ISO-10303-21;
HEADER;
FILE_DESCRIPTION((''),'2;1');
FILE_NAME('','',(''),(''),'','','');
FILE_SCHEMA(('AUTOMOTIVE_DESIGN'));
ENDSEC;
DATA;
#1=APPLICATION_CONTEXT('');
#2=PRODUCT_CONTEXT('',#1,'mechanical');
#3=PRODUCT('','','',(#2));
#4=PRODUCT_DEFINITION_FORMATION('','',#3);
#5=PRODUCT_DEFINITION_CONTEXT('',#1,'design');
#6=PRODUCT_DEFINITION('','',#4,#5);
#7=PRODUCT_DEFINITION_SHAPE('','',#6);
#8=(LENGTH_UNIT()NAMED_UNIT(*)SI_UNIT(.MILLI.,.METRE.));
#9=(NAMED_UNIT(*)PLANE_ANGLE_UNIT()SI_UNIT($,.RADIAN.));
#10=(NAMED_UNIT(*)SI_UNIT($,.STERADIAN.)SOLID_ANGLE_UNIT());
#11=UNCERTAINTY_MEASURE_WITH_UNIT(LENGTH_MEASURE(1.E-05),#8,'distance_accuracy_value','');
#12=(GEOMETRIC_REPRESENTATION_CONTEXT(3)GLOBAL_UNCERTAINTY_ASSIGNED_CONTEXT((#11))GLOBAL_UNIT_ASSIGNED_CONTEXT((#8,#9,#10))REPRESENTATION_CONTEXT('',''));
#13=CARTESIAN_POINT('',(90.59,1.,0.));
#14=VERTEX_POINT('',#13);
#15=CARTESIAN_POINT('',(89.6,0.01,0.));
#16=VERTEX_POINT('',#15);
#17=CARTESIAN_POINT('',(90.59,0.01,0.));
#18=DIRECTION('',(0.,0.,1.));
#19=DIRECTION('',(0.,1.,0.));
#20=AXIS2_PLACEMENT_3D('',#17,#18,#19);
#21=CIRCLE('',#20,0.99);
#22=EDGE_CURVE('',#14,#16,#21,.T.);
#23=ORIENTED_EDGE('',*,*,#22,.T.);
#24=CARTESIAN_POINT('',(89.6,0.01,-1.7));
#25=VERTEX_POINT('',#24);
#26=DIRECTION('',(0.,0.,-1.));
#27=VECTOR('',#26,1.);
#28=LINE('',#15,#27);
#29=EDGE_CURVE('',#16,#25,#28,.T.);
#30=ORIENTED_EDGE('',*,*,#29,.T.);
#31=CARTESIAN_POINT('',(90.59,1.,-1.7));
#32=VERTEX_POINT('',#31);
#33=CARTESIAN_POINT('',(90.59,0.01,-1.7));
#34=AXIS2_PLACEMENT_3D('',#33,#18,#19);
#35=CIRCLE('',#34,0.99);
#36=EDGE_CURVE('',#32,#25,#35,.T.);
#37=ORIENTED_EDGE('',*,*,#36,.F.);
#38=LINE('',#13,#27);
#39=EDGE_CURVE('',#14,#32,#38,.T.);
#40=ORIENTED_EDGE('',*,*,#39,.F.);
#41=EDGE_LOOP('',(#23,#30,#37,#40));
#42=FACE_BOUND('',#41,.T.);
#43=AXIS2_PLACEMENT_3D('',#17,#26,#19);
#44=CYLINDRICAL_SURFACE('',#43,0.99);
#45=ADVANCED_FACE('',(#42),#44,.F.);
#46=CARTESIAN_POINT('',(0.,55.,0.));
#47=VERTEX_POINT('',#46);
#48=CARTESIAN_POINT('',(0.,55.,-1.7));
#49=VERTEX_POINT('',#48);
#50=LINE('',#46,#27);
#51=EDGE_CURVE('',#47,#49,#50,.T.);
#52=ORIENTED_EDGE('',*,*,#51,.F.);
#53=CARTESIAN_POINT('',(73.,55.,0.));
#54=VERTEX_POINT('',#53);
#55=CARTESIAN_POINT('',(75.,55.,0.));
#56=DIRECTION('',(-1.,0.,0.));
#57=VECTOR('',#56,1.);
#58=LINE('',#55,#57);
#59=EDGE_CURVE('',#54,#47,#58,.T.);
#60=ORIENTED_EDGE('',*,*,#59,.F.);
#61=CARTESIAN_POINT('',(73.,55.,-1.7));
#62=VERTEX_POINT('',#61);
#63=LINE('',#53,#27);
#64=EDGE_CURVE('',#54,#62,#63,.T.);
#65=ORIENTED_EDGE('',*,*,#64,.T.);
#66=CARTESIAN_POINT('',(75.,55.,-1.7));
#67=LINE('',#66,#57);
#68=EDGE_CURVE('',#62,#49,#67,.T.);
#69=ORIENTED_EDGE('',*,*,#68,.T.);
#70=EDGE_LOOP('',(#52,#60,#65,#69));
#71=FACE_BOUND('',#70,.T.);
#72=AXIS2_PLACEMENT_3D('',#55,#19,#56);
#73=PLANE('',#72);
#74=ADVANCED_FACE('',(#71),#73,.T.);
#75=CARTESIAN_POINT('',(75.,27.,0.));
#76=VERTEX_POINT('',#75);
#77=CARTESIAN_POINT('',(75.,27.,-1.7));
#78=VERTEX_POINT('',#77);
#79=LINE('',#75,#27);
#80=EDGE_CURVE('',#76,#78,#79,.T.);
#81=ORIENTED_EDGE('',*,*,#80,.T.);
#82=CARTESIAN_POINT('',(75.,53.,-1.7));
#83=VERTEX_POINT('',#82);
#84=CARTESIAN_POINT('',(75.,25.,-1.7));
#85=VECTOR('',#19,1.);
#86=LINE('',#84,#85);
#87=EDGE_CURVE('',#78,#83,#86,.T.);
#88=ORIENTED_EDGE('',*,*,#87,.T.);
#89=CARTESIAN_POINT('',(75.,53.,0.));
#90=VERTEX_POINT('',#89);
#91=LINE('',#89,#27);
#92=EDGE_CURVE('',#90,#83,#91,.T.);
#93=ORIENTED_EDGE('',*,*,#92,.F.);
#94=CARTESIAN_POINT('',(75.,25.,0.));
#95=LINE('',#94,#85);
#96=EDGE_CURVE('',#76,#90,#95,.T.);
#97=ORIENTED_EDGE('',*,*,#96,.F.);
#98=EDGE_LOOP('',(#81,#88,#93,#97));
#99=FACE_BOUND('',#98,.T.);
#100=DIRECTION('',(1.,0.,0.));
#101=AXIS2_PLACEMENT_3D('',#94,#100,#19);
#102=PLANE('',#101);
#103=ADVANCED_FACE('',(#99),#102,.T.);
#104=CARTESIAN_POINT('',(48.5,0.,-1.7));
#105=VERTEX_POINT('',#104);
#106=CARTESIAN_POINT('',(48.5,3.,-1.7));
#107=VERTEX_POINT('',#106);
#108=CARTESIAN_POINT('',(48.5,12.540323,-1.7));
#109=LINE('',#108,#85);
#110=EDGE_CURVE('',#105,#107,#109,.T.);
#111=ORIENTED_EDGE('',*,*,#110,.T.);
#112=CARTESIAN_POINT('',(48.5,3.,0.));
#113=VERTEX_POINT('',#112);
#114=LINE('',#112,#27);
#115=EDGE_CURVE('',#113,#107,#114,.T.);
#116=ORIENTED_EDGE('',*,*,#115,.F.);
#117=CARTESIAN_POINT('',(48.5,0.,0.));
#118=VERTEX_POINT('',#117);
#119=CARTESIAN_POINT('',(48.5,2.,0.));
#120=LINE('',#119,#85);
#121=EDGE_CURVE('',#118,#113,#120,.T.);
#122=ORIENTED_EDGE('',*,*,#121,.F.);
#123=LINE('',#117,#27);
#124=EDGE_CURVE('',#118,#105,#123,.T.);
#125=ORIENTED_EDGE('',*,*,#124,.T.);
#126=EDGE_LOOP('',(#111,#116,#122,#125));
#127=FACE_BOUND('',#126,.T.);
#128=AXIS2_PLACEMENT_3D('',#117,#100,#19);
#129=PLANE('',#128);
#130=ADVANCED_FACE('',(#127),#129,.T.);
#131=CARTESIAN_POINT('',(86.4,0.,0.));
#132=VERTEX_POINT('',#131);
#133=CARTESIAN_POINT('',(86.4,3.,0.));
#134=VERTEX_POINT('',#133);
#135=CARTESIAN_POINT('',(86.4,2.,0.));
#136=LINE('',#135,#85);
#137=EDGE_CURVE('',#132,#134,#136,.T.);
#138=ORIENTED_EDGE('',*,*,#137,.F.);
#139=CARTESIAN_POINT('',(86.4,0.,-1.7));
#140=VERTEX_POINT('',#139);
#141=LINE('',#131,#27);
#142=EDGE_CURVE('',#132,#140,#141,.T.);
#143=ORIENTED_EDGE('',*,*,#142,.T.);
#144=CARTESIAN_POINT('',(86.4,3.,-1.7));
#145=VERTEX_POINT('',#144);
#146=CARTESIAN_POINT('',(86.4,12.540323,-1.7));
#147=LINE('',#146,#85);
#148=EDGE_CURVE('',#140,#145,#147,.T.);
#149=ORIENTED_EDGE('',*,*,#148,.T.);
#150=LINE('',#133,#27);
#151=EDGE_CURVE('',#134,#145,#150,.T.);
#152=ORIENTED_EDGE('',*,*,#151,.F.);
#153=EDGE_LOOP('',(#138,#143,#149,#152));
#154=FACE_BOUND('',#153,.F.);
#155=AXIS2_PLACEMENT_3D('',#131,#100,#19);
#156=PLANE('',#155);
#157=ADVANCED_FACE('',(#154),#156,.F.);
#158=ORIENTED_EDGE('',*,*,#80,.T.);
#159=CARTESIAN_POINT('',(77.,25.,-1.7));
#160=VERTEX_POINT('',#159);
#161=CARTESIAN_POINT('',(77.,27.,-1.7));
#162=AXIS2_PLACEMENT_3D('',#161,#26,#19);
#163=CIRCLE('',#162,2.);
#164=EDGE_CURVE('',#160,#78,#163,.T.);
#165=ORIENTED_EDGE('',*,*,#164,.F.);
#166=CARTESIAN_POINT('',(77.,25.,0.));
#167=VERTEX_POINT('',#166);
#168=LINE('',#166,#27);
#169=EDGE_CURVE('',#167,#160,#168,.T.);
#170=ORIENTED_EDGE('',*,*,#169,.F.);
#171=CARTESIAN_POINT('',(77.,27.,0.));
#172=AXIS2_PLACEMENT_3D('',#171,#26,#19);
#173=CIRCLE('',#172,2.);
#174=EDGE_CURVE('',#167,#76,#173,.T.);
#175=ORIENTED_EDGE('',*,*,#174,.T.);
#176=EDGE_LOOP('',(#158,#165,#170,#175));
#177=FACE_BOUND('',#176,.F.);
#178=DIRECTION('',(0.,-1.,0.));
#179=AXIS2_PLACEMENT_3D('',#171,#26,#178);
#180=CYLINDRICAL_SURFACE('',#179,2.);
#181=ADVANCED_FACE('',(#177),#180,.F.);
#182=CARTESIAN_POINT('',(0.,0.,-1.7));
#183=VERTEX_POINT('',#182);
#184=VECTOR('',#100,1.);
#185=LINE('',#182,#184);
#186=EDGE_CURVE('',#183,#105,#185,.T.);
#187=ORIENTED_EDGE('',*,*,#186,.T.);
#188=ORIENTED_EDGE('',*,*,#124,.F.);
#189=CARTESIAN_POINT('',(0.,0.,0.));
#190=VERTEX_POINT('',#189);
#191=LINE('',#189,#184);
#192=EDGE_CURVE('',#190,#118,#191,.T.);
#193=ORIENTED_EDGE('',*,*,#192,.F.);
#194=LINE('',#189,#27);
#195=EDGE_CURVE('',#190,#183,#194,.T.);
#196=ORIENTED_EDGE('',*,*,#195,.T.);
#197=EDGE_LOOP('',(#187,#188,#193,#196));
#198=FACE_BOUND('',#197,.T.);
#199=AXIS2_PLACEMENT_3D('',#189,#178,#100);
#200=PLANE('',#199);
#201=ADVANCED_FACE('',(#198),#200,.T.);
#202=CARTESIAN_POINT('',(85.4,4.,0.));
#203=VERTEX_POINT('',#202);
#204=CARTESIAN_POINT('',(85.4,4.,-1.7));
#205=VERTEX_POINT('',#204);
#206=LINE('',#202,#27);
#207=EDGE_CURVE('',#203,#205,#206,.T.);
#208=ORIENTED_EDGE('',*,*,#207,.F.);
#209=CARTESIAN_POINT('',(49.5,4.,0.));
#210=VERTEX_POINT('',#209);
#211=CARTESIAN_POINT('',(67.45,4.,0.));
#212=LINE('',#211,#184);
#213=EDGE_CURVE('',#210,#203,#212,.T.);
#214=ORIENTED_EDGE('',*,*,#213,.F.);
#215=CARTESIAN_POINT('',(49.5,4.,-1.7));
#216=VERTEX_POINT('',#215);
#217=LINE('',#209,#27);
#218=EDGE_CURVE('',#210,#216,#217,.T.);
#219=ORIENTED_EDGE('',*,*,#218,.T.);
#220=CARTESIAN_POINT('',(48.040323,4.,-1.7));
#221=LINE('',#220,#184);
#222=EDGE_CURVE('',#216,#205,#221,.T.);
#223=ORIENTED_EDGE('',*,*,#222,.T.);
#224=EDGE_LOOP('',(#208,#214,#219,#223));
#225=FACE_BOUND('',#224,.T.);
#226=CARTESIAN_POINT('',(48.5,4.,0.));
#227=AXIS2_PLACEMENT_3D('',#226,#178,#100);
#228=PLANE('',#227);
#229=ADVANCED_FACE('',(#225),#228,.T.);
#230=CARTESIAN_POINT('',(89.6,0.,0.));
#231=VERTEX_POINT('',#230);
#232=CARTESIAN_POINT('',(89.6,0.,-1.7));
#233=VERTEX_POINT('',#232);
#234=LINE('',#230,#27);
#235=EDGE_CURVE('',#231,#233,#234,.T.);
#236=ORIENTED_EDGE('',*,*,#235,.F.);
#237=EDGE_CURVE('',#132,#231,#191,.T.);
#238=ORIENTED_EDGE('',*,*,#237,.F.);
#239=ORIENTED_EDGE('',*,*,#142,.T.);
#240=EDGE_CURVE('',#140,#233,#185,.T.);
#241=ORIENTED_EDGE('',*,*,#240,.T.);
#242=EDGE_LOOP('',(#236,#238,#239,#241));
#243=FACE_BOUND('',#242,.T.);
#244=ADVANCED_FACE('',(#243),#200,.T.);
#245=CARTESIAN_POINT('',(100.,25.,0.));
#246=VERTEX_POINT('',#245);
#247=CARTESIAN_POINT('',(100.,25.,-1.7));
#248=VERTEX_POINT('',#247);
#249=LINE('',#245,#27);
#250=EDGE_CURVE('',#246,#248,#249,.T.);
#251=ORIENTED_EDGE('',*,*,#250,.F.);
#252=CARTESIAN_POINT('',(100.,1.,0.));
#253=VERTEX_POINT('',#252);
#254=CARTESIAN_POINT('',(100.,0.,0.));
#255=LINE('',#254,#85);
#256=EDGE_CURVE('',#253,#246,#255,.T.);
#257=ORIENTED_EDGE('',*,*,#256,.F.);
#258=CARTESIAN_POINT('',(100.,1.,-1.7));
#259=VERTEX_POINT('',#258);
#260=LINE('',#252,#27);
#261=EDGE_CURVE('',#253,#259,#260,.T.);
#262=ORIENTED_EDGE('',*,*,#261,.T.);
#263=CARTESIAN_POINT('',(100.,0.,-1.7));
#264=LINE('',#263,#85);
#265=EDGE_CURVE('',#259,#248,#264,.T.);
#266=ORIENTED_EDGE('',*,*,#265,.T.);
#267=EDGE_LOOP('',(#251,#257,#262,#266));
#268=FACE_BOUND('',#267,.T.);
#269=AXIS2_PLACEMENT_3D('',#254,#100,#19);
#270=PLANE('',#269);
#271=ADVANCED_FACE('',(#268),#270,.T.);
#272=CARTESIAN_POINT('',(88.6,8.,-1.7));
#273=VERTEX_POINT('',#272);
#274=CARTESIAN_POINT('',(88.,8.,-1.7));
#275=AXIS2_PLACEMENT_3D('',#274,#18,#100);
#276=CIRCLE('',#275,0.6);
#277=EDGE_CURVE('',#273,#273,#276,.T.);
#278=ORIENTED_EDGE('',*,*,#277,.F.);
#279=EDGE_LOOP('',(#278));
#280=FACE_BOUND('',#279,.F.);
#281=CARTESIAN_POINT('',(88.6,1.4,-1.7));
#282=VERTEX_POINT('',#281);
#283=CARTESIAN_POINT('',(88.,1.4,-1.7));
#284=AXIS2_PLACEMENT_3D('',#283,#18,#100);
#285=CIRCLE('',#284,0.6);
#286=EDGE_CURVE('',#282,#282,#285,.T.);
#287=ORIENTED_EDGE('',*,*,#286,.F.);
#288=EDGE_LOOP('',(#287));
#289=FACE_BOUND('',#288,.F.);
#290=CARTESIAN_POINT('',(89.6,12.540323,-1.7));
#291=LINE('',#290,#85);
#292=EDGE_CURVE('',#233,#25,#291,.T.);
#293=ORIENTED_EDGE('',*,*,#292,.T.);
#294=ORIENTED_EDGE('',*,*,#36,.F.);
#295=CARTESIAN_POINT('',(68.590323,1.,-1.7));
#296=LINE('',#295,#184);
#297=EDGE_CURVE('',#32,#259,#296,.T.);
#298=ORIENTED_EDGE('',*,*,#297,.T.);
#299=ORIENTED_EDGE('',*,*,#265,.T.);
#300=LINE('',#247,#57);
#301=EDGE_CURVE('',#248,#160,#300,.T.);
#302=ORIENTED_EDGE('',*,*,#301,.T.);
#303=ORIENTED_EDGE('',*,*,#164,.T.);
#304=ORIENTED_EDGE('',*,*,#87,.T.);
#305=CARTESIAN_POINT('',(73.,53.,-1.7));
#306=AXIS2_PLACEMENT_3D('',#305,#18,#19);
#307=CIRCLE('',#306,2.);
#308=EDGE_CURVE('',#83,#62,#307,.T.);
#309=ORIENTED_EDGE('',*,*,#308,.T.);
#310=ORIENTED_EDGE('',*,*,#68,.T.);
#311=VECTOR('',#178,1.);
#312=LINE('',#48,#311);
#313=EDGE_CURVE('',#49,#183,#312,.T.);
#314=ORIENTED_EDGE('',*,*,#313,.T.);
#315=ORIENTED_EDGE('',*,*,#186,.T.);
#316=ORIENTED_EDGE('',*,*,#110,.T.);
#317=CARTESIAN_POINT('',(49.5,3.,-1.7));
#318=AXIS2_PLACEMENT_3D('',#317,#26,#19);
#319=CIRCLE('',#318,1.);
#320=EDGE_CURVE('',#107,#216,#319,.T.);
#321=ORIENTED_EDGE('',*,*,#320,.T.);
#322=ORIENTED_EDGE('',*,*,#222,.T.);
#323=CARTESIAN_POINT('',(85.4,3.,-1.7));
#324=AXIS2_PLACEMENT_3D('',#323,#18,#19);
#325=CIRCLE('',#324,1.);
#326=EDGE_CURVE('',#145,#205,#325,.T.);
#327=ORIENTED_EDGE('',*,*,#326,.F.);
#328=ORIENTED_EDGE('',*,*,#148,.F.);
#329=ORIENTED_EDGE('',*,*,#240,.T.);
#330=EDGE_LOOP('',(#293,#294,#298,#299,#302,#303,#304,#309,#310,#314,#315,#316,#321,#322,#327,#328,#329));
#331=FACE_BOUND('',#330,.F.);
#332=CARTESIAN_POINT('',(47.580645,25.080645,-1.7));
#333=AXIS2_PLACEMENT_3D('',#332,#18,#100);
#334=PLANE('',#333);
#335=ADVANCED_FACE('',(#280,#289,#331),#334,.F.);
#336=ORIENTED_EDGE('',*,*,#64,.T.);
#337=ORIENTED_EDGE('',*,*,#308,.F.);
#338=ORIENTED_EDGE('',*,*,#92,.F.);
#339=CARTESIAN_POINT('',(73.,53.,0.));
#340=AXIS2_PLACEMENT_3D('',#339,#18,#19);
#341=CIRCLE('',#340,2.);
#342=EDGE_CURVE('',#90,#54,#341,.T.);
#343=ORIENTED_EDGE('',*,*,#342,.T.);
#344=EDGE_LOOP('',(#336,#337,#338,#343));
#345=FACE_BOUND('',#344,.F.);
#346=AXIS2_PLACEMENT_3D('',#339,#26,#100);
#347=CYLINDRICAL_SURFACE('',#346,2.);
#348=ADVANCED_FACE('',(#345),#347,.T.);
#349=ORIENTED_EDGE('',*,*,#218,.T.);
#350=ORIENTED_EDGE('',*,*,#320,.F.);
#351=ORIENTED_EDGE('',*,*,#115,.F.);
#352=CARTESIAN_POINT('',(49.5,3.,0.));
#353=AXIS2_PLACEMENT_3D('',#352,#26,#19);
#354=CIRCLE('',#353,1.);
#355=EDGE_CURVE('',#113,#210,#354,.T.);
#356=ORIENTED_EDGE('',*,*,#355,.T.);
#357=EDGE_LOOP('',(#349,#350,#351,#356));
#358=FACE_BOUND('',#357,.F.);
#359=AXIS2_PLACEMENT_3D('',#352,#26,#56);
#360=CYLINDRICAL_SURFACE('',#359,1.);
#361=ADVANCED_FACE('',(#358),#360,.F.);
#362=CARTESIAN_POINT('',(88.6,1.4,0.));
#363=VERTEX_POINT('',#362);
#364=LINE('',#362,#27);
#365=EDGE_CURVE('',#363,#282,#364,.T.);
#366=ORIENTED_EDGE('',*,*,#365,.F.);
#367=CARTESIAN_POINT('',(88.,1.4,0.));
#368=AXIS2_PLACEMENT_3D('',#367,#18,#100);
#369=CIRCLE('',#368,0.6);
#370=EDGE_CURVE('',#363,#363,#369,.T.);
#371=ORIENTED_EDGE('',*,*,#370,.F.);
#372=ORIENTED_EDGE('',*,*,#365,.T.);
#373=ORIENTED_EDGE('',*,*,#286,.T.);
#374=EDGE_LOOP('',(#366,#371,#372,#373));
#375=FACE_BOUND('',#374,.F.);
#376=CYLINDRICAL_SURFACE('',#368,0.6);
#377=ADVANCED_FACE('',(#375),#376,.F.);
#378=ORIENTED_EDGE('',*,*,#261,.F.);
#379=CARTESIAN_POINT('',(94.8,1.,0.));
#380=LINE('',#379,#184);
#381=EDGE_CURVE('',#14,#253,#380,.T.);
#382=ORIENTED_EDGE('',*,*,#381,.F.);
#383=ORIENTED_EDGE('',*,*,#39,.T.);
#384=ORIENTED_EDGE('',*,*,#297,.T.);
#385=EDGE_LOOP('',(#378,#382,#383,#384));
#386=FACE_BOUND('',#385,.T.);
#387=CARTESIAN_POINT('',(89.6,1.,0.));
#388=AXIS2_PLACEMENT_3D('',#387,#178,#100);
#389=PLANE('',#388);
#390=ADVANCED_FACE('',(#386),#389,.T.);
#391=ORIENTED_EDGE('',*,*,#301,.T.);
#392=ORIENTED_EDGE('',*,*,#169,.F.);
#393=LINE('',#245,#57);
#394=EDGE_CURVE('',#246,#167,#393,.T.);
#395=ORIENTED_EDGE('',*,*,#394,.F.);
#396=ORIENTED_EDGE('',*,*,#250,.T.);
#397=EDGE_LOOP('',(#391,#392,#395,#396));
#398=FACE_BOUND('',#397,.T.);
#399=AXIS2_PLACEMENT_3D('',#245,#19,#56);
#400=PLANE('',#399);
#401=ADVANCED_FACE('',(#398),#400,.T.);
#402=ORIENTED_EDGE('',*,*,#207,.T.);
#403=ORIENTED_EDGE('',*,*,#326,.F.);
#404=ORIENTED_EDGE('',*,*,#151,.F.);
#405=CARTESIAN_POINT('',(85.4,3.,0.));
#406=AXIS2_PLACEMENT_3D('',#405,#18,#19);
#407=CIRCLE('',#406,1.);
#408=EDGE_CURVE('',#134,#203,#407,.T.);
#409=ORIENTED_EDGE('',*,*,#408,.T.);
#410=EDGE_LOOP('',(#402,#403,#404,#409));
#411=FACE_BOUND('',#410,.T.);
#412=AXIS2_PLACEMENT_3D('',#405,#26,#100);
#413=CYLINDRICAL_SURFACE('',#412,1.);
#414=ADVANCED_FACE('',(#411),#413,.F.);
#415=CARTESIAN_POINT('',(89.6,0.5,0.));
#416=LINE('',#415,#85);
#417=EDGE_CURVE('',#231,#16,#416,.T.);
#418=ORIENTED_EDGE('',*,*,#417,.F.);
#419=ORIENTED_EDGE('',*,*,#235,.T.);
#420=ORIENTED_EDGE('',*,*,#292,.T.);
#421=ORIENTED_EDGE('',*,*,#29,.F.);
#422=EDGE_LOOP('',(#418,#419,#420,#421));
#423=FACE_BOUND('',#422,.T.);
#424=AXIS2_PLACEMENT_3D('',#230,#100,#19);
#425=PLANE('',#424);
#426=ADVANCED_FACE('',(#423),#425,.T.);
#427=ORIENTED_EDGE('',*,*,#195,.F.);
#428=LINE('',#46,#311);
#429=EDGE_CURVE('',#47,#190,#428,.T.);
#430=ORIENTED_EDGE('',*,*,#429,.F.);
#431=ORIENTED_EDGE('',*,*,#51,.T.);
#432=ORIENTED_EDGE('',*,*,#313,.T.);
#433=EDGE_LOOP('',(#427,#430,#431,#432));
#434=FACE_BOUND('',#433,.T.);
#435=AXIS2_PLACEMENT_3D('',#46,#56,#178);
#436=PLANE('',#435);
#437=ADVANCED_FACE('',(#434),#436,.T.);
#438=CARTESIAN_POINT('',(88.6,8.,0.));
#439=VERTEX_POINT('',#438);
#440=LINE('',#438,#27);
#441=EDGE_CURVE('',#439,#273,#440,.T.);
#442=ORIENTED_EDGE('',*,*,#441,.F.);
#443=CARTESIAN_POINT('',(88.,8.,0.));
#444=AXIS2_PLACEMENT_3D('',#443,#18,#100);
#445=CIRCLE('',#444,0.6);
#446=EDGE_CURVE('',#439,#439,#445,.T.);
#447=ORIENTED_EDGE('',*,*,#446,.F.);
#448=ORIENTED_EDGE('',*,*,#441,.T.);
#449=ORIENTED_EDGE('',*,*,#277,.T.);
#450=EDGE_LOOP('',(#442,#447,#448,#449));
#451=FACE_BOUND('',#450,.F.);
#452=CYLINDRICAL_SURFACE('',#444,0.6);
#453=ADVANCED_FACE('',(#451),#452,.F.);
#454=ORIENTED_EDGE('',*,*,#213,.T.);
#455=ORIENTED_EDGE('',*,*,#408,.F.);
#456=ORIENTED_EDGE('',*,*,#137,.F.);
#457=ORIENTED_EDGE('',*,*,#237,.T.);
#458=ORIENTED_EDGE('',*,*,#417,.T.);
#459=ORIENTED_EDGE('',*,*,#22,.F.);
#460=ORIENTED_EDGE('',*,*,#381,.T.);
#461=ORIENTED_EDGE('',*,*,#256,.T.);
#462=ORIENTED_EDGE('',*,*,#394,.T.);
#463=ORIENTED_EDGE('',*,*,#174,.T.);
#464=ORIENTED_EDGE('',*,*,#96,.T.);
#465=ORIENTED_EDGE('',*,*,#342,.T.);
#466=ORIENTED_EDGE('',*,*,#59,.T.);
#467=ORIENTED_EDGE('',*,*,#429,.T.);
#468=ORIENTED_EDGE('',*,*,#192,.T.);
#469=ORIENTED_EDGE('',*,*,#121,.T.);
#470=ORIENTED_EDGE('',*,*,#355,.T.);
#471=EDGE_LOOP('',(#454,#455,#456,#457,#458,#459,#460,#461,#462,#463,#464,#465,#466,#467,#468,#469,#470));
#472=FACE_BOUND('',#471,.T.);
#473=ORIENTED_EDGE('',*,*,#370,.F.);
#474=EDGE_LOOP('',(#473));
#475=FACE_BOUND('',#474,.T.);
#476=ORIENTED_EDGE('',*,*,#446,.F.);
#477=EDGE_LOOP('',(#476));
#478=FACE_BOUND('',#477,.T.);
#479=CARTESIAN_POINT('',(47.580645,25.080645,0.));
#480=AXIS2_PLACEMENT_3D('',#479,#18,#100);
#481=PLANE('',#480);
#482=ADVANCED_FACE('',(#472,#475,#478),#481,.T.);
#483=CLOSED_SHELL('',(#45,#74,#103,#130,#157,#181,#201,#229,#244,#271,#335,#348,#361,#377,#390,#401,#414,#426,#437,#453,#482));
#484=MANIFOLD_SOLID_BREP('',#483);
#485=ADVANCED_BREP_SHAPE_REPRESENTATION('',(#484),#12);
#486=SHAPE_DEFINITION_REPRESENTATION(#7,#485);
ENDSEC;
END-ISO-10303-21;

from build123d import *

# Parameters (mm, degrees)
PAD_DEPTH     = 1.7
SKETCH001_W   = 37.9
SKETCH001_H   = 4
SKETCH001_W_2 = 10.4
SKETCH001_H_2 = 1
POCKET_DEPTH  = 1.701
FILLET_R      = 1
FILLET002_R   = 2
FILLET003_R   = 0.99
SKETCH002_R   = 0.6
HOLE_DEPTH    = 25


with BuildPart() as part:
    # Sketch → Pad (new body)
    with BuildSketch(Plane.XY):
        Polygon((0, 0), (100, 0), (100, 25), (75, 25), (75, 55), (0, 55), align=None)
    extrude(amount=-PAD_DEPTH)

    # Sketch001 → Pocket (cut, through all)
    with BuildSketch(Plane.XY):
        with Locations((67.45, 2)):
            Rectangle(SKETCH001_W, SKETCH001_H)
        with Locations((94.8, 0.5)):
            Rectangle(SKETCH001_W_2, SKETCH001_H_2)
    extrude(amount=-POCKET_DEPTH, mode=Mode.SUBTRACT)

    # Fillet
    fillet_edges = [part.edges().sort_by_distance(p)[0] for p in [
        (48.5, 4, -0.85),
        (86.4, 4, -0.85),
    ]]
    fillet(fillet_edges, radius=FILLET_R)

    # Fillet002
    fillet002_edges = [part.edges().sort_by_distance(p)[0] for p in [
        (75, 55, -0.85),
        (75, 25, -0.85),
    ]]
    fillet(fillet002_edges, radius=FILLET002_R)

    # Fillet003
    fillet003_edges = [part.edges().sort_by_distance(p)[0] for p in [
        (89.6, 1, -0.85),
    ]]
    fillet(fillet003_edges, radius=FILLET003_R)

    # Sketch002 → Hole (cut)
    with BuildSketch(Plane.XY):
        with Locations((88, 1.4)):
            Circle(SKETCH002_R)
        with Locations((88, 8)):
            Circle(SKETCH002_R)
    extrude(amount=-HOLE_DEPTH, mode=Mode.SUBTRACT)


solid = part.part
